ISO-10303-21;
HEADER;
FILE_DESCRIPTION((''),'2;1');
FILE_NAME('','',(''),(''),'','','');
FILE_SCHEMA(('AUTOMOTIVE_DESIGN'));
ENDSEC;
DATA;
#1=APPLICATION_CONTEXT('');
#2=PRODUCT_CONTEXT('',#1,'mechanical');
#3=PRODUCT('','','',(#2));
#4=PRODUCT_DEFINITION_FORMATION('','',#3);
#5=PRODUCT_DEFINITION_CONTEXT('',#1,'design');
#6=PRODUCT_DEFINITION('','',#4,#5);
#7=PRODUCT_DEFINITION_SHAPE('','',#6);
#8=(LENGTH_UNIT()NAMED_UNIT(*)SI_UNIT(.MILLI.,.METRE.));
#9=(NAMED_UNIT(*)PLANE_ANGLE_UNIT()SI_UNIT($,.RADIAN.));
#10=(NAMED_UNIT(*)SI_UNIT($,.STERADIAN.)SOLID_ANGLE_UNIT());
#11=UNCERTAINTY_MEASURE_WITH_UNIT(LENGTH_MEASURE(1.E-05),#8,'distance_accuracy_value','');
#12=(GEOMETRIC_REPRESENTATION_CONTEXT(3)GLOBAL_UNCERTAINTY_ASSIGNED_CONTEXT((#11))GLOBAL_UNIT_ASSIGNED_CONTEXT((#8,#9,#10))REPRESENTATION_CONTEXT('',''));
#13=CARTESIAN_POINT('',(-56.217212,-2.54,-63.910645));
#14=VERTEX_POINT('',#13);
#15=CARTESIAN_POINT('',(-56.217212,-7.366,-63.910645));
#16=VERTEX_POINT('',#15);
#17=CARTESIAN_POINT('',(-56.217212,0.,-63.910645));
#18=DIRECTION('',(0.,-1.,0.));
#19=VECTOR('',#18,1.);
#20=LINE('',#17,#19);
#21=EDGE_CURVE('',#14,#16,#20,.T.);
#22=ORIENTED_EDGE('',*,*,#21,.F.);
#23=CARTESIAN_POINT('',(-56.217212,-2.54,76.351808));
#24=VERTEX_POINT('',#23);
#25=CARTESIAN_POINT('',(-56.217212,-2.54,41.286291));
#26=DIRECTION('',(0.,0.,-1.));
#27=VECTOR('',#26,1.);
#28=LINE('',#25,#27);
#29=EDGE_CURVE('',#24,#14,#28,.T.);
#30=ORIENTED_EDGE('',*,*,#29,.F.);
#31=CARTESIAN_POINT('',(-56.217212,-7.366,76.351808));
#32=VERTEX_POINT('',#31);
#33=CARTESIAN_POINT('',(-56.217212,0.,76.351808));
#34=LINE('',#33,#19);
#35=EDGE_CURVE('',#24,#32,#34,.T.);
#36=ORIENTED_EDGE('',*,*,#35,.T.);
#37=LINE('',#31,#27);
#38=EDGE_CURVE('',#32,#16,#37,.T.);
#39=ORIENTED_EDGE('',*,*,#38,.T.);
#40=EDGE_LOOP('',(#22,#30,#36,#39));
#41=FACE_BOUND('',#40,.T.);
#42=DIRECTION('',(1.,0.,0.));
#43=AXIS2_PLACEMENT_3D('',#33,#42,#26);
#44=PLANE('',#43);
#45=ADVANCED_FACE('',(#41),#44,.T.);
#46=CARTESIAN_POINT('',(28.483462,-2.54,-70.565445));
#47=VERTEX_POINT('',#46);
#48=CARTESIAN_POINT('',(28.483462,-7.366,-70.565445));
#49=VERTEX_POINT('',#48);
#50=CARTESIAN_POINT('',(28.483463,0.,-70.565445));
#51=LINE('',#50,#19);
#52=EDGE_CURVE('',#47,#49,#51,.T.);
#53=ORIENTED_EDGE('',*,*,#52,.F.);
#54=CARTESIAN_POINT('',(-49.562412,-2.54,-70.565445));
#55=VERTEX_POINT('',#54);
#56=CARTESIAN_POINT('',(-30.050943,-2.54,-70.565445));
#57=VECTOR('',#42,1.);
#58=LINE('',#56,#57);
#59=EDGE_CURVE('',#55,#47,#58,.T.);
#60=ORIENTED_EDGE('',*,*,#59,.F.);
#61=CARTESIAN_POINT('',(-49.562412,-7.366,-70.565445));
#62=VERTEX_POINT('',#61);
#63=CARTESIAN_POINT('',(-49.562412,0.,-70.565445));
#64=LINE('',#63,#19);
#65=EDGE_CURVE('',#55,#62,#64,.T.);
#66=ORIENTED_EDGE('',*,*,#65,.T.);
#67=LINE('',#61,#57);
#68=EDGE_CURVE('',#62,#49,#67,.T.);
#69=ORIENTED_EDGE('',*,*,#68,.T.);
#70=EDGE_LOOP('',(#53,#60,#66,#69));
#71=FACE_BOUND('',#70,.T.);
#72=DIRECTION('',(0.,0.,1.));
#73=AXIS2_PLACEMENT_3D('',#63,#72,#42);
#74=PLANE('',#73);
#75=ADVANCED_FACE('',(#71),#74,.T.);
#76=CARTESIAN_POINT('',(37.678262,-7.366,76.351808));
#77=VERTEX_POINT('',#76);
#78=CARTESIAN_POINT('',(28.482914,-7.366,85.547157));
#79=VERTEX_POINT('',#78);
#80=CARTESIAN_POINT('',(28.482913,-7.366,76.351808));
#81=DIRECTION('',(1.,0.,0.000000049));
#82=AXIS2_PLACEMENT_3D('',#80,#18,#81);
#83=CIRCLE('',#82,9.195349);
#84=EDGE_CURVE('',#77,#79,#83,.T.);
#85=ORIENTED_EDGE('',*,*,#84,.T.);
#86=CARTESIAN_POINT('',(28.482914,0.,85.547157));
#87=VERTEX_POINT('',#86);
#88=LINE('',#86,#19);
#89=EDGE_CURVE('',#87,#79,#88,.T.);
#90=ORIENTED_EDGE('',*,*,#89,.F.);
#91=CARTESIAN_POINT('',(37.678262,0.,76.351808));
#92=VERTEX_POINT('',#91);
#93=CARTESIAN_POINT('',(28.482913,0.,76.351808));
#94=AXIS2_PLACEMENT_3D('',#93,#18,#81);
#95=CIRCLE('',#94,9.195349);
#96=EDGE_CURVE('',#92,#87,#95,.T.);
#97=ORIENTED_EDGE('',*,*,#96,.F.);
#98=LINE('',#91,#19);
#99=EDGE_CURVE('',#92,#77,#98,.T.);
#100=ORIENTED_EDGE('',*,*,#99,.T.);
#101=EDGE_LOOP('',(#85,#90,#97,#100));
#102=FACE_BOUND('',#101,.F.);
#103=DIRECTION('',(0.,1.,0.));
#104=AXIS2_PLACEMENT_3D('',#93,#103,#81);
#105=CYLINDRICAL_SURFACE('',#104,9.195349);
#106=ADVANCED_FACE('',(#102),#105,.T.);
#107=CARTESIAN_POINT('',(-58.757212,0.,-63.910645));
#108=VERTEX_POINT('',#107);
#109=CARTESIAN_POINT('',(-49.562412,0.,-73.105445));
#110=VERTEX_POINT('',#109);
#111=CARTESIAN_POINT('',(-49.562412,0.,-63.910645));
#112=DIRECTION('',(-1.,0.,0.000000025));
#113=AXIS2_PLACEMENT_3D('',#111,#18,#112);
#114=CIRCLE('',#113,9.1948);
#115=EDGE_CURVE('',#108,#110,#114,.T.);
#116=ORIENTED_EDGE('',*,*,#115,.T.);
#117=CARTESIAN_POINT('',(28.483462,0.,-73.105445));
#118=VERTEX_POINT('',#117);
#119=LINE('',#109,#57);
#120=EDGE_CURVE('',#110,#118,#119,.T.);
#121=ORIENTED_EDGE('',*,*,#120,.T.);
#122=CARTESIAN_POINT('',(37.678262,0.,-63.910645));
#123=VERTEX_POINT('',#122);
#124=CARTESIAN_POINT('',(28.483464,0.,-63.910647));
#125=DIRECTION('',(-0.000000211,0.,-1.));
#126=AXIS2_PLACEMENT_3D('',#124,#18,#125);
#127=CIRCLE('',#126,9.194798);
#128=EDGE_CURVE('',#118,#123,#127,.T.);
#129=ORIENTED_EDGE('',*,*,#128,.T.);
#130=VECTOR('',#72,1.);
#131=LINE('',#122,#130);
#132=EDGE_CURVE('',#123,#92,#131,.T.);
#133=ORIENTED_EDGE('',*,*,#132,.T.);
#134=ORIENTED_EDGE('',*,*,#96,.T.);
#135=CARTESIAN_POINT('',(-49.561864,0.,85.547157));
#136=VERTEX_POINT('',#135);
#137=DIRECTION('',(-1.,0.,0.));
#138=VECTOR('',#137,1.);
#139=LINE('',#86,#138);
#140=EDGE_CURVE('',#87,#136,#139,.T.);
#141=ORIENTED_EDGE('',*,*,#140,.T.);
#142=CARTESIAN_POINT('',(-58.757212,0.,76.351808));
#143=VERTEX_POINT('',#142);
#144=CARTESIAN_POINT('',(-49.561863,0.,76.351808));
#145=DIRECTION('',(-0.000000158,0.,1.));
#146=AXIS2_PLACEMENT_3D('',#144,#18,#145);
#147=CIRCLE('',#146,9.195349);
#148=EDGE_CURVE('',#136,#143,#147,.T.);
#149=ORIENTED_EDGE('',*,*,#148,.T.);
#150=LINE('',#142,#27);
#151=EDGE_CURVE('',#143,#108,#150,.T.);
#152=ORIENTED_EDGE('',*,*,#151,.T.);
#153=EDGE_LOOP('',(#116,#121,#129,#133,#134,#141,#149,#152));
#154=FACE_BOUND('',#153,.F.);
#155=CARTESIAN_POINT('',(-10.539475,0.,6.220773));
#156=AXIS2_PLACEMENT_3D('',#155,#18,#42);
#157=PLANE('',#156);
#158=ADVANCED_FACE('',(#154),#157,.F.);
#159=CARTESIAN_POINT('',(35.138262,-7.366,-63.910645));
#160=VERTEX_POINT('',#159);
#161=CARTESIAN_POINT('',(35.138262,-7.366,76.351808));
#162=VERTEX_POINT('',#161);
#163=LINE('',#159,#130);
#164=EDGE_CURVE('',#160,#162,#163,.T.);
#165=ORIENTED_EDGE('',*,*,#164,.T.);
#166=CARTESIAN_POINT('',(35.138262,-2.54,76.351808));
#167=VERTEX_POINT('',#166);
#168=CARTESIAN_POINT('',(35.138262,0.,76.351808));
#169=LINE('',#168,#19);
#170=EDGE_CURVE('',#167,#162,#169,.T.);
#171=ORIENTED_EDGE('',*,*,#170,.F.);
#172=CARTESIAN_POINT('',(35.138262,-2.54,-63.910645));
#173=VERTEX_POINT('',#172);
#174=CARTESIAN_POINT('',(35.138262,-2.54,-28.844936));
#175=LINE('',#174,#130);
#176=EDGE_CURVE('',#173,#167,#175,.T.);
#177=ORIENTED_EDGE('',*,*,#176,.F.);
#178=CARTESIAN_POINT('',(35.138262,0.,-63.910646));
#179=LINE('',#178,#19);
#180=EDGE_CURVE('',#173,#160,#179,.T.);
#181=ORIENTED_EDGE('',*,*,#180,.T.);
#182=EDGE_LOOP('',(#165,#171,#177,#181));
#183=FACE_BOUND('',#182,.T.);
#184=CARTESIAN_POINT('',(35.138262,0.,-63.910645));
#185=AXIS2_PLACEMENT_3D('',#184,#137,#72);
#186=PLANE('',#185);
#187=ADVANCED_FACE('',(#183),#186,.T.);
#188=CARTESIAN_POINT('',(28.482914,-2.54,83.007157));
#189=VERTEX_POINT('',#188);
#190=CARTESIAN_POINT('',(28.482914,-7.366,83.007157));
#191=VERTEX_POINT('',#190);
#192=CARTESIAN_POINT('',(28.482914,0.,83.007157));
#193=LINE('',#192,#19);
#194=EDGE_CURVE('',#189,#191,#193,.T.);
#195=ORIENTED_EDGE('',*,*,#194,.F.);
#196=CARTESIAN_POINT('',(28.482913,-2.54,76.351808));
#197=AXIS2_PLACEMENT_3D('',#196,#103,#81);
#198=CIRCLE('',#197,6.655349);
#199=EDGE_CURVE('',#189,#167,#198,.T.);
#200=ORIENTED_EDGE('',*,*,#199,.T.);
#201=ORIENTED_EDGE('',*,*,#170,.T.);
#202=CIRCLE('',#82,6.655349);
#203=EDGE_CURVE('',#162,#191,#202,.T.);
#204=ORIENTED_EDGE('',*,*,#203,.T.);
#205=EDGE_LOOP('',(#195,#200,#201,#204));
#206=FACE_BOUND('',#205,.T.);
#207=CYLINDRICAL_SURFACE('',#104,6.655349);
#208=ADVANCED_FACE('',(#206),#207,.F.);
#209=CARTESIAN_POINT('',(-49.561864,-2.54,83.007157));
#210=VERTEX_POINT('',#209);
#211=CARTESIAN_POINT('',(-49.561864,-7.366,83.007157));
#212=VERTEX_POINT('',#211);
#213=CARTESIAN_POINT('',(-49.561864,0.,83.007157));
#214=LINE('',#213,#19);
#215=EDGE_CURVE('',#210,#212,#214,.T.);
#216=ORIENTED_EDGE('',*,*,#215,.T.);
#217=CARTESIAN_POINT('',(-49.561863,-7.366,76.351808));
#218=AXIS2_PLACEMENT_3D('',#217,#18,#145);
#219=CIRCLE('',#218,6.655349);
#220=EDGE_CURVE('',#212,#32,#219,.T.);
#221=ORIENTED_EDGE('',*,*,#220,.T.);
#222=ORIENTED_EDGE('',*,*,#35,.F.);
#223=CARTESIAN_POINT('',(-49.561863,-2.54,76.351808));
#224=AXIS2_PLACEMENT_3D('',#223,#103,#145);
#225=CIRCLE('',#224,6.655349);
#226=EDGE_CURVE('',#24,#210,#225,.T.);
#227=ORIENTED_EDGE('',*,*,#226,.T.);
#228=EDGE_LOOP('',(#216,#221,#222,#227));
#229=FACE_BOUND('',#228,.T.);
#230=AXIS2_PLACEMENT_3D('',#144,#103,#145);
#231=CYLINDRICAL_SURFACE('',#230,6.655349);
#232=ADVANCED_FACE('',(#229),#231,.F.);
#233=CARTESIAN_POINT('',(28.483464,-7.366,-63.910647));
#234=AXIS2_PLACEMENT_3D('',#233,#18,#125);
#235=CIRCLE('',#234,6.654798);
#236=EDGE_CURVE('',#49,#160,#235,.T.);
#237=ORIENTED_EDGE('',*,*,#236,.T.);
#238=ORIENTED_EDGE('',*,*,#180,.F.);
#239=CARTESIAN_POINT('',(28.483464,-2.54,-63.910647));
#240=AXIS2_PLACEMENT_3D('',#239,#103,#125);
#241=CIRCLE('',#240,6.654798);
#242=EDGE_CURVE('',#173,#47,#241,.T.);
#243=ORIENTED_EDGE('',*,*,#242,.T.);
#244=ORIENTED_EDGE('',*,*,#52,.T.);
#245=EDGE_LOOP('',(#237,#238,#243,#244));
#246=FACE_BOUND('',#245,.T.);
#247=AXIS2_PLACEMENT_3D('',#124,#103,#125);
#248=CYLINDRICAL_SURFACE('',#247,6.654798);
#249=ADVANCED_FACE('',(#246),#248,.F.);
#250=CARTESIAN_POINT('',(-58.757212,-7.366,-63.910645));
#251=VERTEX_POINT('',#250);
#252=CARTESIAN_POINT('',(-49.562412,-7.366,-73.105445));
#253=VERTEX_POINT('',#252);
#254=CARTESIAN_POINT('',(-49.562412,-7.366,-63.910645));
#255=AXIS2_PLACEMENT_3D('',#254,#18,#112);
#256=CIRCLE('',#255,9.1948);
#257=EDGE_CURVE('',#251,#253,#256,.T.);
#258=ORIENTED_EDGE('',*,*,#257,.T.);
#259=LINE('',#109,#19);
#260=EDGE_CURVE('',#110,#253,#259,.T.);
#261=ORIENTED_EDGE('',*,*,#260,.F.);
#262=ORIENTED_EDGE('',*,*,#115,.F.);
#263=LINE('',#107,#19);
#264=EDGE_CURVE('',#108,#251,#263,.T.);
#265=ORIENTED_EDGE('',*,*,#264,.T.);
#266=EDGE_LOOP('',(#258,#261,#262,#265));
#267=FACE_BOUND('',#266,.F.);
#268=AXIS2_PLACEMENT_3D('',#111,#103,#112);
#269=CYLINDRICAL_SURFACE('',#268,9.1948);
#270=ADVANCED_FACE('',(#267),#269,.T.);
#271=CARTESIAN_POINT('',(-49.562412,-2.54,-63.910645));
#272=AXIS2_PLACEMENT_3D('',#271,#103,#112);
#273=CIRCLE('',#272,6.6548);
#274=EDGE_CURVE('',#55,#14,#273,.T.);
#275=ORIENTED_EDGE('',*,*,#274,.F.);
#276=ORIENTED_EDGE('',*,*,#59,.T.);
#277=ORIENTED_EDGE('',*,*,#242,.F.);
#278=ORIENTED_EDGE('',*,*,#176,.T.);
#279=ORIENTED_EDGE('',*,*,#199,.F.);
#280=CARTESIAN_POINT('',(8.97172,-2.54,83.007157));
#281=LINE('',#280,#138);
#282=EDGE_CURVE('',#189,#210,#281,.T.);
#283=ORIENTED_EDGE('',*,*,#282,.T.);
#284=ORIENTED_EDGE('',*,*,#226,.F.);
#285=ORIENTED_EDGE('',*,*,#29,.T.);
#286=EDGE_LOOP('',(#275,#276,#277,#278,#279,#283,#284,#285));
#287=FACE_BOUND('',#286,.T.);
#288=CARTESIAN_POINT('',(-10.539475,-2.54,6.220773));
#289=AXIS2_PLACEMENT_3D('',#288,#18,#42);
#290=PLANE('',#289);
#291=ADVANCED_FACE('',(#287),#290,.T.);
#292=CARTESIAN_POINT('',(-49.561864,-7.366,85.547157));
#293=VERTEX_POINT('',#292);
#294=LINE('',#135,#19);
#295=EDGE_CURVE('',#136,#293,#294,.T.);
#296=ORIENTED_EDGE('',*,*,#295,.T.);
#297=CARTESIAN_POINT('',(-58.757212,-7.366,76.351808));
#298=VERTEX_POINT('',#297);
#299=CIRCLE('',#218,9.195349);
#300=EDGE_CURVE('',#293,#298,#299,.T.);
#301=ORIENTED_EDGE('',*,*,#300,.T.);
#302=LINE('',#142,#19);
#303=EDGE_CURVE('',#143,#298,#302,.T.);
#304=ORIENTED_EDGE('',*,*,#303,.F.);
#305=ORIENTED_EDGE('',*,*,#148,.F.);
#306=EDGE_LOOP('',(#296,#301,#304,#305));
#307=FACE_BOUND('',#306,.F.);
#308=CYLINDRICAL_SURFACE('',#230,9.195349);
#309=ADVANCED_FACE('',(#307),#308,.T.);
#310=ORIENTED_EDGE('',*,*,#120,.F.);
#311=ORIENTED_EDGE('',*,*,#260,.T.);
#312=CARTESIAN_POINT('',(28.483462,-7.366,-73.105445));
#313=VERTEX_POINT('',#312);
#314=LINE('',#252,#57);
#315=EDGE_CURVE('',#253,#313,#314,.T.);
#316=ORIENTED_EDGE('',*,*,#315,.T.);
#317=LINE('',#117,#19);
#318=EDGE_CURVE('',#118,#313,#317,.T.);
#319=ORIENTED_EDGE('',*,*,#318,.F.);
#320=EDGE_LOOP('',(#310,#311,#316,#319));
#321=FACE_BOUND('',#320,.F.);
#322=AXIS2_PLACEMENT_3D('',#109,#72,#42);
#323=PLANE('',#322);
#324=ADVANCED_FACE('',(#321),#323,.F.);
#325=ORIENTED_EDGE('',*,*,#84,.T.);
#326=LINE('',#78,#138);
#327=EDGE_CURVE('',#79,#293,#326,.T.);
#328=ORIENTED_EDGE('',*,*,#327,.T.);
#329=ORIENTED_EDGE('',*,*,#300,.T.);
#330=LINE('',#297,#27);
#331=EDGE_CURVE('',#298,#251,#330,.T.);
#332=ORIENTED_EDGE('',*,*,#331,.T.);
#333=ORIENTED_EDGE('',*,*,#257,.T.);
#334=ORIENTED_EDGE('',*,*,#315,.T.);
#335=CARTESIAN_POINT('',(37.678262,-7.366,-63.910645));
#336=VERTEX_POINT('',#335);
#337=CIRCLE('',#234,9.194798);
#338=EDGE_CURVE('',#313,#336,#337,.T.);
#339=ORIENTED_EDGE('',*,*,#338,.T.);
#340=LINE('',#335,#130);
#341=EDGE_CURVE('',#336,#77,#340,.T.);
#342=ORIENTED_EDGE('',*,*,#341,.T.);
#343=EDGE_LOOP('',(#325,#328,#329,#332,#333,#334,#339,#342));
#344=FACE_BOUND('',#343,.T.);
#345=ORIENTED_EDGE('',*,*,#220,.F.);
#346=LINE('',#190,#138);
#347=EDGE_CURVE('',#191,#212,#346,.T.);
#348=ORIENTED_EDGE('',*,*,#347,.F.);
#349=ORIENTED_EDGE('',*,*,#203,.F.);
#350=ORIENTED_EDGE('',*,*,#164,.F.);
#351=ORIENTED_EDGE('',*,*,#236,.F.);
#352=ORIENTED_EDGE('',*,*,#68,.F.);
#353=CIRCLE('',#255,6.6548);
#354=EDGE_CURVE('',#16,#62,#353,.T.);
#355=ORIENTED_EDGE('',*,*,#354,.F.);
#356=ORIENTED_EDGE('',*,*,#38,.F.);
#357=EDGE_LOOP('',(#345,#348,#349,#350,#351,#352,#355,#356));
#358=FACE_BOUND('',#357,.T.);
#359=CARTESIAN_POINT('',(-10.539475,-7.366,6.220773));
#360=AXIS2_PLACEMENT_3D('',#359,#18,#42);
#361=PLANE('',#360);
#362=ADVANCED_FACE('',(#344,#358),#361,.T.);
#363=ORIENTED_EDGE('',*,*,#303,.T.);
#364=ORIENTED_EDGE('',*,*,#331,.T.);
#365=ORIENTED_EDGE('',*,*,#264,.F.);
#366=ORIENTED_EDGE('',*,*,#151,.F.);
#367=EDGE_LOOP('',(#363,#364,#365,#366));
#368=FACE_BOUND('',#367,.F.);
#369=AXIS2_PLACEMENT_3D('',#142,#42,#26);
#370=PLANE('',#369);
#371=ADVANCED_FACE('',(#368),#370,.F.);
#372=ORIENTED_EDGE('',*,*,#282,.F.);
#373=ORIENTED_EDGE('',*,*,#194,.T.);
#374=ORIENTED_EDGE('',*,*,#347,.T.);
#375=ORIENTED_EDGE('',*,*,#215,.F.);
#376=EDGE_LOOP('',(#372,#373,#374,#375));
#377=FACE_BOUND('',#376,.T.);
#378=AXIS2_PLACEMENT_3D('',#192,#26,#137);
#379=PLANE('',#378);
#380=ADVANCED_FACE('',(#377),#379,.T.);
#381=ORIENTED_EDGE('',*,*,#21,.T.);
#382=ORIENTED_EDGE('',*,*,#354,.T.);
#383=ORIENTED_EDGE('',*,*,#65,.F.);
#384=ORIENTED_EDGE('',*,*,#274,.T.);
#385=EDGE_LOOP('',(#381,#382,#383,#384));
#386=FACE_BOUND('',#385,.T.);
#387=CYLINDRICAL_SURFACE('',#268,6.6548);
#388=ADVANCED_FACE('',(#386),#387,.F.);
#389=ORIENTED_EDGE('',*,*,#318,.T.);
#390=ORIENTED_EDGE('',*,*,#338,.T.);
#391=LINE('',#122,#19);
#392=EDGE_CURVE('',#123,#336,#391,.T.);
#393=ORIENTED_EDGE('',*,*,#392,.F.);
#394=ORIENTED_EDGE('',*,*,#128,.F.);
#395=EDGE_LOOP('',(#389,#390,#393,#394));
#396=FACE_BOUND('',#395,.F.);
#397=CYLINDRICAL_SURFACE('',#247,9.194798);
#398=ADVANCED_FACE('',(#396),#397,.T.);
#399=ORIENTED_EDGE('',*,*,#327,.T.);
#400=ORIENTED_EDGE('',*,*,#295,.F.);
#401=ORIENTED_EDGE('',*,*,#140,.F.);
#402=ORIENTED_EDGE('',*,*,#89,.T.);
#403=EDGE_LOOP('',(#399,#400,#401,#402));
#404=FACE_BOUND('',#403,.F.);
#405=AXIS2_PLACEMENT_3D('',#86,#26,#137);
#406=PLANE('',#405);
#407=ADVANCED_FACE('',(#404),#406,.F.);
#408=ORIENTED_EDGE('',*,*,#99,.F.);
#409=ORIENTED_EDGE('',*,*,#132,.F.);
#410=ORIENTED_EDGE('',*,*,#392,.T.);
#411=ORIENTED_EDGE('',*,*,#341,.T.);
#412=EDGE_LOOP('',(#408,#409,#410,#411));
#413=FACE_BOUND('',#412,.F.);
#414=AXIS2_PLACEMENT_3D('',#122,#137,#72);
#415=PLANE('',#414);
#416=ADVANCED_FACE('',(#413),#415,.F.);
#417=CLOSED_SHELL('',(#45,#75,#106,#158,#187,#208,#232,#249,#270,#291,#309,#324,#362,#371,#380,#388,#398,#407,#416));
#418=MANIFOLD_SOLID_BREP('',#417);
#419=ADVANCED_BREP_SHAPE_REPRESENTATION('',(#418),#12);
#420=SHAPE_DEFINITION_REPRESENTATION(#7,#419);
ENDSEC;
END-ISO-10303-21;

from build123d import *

# Parameters (mm, degrees)
F1_DEPTH = 7.366
F2_T     = -2.54


with BuildPart() as f1:
    # F0 (on Front) → F1 (new body)
    with BuildSketch(Plane.XZ):
        with BuildLine():
            Line((28.482914, 85.547157), (-49.561864, 85.547157))
            ThreePointArc((-49.561864, 85.547157), (-56.063957, 82.853901), (-58.757212, 76.351808))
            Line((-58.757212, 76.351808), (-58.757212, -63.910645))
            ThreePointArc((-58.757212, -63.910645), (-56.064117, -70.412351), (-49.562412, -73.105445))
            Line((-49.562412, -73.105445), (28.483462, -73.105445))
            ThreePointArc((28.483462, -73.105445), (34.985168, -70.412351), (37.678262, -63.910645))
            Line((37.678262, -63.910645), (37.678262, 76.351808))
            ThreePointArc((37.678262, 76.351808), (34.985007, 82.853901), (28.482914, 85.547157))
        make_face()
    extrude(amount=F1_DEPTH)

    # F2
    f2_openings = [f1.faces().sort_by_distance(p)[0] for p in [
        (-10.539475, -7.366, 6.220834),
    ]]
    offset(amount=F2_T, openings=f2_openings)


solid = f1.part
